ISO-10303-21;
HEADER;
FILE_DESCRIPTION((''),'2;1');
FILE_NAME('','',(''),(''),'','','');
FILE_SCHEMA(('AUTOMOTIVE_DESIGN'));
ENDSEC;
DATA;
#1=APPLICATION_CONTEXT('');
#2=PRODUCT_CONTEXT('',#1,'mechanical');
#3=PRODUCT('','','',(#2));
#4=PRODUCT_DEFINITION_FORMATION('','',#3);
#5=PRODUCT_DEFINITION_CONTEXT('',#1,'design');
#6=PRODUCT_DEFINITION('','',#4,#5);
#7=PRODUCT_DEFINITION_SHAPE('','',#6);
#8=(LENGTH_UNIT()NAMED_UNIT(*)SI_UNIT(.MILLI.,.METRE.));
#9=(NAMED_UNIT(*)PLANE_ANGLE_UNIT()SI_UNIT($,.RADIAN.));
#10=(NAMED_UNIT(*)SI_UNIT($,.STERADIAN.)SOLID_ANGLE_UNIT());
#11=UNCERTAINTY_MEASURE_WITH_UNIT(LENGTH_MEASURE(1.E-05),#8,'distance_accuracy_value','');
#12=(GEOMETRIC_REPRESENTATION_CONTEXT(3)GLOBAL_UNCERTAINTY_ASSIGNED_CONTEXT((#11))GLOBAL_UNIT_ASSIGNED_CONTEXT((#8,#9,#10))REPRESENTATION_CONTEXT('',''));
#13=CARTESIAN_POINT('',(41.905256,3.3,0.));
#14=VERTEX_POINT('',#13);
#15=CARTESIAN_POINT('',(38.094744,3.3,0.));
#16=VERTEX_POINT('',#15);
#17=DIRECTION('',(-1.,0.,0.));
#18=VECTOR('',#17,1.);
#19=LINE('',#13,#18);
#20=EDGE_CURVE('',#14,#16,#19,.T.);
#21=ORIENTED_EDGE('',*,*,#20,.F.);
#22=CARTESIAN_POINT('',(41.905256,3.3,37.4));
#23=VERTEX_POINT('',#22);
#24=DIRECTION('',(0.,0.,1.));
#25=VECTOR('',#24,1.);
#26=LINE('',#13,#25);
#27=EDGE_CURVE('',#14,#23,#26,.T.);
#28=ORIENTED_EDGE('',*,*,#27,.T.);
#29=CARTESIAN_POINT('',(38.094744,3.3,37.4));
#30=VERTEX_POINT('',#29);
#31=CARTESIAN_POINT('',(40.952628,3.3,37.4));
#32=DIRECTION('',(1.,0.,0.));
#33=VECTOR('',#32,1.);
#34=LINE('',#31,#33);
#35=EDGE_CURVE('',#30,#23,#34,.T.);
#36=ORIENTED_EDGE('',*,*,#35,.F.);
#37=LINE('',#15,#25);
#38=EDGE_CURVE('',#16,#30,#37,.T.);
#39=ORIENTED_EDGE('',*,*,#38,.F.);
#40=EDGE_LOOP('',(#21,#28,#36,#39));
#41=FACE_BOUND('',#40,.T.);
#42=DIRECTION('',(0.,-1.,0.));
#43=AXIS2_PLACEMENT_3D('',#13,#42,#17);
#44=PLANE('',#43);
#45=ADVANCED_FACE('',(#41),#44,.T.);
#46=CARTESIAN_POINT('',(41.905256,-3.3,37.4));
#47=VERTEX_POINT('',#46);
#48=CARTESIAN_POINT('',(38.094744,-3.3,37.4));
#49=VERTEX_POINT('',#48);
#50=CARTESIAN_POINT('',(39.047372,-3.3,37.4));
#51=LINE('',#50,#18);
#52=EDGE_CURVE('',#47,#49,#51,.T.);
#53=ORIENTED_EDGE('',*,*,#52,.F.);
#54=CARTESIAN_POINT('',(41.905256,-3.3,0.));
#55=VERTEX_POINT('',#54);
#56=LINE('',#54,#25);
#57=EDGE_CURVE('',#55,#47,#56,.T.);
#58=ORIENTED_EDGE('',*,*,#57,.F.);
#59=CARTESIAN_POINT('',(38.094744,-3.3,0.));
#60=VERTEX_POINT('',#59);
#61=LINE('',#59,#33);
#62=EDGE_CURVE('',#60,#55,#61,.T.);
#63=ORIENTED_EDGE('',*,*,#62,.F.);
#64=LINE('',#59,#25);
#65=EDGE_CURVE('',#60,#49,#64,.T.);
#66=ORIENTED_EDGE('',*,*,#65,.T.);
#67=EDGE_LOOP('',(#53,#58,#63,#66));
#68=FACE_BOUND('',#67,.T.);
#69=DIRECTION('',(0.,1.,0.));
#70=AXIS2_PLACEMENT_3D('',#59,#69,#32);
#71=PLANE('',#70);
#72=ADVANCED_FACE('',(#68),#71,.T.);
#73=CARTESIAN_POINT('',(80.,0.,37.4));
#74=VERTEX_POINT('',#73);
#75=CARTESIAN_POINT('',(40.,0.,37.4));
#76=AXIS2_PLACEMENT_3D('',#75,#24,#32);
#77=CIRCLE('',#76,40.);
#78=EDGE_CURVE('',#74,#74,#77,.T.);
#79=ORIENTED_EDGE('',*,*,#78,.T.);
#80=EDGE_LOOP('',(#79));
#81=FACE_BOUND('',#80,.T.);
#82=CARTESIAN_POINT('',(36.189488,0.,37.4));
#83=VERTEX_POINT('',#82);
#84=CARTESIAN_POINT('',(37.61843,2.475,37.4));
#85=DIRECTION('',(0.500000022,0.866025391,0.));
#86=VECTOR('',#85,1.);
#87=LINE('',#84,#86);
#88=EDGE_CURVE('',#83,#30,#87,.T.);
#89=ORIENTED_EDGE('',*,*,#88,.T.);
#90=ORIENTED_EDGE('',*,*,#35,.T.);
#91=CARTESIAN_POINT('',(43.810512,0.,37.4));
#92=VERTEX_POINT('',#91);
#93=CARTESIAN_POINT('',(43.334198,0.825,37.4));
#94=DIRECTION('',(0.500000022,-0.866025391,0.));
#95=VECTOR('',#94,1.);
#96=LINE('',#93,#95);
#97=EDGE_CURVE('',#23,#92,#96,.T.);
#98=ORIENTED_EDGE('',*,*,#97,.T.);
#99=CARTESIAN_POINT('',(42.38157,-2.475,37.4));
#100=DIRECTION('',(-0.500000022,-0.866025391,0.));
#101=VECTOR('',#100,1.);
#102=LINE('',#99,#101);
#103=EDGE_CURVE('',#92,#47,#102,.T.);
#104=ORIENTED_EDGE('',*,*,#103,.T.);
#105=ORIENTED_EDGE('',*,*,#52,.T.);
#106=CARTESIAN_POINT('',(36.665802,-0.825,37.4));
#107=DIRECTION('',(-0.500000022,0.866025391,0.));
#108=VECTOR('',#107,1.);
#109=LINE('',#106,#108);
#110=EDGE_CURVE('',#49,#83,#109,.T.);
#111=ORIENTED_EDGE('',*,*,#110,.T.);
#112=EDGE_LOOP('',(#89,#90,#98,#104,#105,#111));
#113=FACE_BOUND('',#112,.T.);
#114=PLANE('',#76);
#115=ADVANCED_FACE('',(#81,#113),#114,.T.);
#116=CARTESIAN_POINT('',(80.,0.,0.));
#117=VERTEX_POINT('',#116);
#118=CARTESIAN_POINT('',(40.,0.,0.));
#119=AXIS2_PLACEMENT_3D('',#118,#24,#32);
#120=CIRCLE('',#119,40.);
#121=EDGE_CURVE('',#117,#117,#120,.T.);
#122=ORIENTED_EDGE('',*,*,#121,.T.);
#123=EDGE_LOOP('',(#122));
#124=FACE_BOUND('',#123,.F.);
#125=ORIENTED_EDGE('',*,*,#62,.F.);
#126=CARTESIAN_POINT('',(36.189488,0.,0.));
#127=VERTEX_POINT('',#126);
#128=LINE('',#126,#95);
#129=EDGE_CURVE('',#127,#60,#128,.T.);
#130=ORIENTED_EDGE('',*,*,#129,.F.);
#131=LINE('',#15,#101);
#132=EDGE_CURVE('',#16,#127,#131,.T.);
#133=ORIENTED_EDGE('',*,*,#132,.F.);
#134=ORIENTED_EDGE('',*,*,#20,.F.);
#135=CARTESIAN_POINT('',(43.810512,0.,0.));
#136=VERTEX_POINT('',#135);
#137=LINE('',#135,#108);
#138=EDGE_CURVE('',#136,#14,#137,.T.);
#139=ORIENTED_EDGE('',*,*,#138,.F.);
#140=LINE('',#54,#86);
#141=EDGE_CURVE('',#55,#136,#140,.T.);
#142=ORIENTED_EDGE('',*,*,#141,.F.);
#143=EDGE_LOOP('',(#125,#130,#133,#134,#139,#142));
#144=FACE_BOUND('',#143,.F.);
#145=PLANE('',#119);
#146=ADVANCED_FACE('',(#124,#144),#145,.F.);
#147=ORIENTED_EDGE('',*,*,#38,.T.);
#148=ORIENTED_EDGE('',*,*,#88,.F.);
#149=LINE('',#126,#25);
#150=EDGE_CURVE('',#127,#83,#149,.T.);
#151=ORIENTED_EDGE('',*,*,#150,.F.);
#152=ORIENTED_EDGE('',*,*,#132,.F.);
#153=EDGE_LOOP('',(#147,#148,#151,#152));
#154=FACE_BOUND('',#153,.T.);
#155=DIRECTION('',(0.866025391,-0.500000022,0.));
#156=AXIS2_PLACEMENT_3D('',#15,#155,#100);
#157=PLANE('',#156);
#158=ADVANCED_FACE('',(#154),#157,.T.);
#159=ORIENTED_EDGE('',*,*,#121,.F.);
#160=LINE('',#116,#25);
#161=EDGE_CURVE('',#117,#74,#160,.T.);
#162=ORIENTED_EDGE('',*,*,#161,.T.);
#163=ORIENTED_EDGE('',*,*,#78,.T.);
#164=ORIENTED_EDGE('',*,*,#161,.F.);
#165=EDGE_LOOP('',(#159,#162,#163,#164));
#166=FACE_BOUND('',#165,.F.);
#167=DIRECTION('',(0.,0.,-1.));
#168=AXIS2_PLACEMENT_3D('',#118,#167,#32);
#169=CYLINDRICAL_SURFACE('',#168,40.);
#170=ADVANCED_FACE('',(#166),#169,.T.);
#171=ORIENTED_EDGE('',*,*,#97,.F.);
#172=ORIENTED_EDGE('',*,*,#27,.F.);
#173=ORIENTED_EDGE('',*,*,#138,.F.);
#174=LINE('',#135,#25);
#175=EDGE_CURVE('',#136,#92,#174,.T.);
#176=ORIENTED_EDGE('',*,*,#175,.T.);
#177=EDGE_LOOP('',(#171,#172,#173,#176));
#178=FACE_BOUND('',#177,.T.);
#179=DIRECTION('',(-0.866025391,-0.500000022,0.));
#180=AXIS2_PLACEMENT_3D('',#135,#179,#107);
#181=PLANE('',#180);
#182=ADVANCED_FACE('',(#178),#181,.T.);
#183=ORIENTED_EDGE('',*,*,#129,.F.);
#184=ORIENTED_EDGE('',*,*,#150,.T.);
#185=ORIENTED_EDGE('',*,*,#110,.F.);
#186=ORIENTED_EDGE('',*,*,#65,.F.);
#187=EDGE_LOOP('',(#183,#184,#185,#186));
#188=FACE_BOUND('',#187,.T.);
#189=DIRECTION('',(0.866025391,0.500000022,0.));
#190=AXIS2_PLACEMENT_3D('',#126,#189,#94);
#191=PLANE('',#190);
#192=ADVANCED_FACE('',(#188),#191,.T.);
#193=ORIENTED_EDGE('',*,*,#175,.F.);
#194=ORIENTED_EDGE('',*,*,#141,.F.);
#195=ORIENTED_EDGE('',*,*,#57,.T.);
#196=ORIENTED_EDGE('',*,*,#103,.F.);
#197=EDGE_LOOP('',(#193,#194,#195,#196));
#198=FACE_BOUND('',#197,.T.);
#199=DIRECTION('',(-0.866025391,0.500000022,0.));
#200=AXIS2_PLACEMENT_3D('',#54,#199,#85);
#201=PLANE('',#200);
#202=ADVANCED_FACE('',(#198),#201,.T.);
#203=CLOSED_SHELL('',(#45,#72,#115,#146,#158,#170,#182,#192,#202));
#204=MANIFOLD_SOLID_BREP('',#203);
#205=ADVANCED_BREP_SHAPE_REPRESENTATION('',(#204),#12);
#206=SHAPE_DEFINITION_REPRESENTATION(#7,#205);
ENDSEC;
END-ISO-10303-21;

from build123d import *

# Parameters (mm, degrees)
SKETCH_R     = 40
PAD_DEPTH    = 37.4
POCKET_DEPTH = 37.401


with BuildPart() as part:
    # Sketch → Pad (new body)
    with BuildSketch(Plane.XY):
        with Locations((40, 0)):
            Circle(SKETCH_R)
    extrude(amount=PAD_DEPTH)

    # Sketch001 → Pocket (cut, through all)
    with BuildSketch(Plane.XY):
        Polygon((43.810512, 0), (41.905256, 3.3), (38.094744, 3.3), (36.189488, 0), (38.094744, -3.3), (41.905256, -3.3), align=None)
    extrude(amount=POCKET_DEPTH, mode=Mode.SUBTRACT)


solid = part.part
